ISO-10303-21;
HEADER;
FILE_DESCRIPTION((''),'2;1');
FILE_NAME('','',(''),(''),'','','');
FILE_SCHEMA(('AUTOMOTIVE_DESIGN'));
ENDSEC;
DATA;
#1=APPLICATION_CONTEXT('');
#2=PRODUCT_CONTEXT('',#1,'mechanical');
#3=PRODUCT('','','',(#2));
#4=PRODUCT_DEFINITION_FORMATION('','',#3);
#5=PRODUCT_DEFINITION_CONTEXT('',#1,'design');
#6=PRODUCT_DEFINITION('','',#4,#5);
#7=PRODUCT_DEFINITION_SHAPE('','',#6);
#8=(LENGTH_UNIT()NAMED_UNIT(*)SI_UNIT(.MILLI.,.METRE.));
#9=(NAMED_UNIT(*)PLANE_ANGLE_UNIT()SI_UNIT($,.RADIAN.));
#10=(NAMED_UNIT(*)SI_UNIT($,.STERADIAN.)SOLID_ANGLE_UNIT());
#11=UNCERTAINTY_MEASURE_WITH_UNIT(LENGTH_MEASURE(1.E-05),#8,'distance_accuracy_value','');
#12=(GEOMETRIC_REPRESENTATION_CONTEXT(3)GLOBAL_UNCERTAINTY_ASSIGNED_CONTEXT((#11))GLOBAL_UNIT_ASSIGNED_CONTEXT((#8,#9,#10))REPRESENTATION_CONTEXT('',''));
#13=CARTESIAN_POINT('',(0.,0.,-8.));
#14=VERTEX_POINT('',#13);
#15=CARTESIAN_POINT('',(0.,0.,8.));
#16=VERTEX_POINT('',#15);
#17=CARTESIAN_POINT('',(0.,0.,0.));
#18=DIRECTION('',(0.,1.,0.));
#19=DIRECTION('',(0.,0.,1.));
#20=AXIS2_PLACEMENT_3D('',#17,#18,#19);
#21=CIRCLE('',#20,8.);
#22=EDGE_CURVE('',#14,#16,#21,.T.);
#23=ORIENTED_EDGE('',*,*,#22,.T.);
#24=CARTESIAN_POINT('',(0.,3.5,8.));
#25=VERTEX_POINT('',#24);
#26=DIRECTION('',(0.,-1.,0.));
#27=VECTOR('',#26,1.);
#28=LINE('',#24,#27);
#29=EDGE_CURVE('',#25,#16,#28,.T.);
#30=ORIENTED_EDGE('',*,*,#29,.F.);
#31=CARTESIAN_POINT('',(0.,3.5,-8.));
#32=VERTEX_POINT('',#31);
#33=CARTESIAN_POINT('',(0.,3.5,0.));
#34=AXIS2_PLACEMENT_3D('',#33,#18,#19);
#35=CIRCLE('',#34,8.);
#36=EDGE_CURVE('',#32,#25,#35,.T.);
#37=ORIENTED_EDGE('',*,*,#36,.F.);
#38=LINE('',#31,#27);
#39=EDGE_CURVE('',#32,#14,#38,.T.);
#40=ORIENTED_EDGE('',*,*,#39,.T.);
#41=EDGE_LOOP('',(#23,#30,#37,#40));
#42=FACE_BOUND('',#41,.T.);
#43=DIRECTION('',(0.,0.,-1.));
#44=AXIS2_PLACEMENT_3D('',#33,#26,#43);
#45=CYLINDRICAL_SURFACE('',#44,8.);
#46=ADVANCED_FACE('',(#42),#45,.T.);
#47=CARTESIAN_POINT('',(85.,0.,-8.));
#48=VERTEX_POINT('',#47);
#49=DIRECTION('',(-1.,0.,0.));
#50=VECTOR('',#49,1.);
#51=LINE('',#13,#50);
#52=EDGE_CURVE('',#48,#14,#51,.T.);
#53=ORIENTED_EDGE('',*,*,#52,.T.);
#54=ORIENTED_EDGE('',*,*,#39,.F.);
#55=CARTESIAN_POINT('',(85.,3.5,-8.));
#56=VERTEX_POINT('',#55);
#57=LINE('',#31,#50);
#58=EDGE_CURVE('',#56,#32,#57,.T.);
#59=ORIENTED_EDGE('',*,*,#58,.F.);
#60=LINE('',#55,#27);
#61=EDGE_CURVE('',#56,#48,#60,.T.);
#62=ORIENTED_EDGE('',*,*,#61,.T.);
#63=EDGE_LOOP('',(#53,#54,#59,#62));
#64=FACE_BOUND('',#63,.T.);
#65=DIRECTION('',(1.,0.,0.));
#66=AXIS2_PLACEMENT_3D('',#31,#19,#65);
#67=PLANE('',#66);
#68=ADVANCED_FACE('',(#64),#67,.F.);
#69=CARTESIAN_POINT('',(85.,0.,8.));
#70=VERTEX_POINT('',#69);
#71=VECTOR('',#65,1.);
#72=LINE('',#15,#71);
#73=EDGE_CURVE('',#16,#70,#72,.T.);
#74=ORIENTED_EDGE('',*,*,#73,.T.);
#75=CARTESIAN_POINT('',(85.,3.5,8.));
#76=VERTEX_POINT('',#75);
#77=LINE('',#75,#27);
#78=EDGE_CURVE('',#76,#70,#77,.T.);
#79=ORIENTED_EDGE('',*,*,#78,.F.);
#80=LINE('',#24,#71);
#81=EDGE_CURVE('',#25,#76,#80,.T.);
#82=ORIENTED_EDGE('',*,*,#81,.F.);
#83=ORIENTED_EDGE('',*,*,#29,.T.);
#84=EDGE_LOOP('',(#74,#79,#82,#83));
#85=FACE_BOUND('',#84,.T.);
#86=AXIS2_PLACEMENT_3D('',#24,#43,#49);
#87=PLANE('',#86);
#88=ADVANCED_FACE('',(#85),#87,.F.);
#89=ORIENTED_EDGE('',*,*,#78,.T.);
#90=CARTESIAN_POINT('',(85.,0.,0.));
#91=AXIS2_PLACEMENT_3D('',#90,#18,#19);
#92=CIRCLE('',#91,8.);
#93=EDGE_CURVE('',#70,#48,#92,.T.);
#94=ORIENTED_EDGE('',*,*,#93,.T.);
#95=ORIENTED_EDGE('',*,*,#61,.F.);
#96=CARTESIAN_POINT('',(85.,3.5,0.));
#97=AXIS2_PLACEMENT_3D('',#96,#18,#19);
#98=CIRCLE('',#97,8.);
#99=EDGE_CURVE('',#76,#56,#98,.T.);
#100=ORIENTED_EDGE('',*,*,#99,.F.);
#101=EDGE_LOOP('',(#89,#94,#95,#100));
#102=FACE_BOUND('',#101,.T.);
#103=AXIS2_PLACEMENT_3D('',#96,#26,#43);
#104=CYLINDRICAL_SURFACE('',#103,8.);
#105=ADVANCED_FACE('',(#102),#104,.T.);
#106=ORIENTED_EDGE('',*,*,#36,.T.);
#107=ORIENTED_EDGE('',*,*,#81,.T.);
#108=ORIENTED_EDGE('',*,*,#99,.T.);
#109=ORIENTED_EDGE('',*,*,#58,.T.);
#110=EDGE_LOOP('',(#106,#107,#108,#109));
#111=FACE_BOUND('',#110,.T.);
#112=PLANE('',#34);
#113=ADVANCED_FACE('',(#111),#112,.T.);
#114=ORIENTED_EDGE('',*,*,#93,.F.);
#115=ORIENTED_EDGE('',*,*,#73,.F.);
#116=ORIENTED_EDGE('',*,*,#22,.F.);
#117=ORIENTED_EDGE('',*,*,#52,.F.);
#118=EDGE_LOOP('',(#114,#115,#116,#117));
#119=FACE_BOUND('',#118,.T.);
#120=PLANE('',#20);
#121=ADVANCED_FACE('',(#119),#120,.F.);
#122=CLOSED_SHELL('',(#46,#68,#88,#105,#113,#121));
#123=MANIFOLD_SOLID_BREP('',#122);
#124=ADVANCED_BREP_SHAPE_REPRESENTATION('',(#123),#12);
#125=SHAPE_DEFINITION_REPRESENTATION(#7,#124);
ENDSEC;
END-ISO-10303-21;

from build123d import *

# Parameters (mm, degrees)
BOSS_EXTRUDE1_DEPTH = 3.5


with BuildPart() as part:
    # Sketch1 → Boss-Extrude1 (new body)
    with BuildSketch(Plane(origin=(0, 0, 0), x_dir=(1, 0, 0), z_dir=(0, 1, 0))):
        with BuildLine():
            Line((0, 8), (85, 8))
            ThreePointArc((85, 8), (93, 0), (85, -8))
            Line((85, -8), (0, -8))
            ThreePointArc((0, -8), (-8, 0), (0, 8))
        make_face()
    extrude(amount=BOSS_EXTRUDE1_DEPTH)


solid = part.part
